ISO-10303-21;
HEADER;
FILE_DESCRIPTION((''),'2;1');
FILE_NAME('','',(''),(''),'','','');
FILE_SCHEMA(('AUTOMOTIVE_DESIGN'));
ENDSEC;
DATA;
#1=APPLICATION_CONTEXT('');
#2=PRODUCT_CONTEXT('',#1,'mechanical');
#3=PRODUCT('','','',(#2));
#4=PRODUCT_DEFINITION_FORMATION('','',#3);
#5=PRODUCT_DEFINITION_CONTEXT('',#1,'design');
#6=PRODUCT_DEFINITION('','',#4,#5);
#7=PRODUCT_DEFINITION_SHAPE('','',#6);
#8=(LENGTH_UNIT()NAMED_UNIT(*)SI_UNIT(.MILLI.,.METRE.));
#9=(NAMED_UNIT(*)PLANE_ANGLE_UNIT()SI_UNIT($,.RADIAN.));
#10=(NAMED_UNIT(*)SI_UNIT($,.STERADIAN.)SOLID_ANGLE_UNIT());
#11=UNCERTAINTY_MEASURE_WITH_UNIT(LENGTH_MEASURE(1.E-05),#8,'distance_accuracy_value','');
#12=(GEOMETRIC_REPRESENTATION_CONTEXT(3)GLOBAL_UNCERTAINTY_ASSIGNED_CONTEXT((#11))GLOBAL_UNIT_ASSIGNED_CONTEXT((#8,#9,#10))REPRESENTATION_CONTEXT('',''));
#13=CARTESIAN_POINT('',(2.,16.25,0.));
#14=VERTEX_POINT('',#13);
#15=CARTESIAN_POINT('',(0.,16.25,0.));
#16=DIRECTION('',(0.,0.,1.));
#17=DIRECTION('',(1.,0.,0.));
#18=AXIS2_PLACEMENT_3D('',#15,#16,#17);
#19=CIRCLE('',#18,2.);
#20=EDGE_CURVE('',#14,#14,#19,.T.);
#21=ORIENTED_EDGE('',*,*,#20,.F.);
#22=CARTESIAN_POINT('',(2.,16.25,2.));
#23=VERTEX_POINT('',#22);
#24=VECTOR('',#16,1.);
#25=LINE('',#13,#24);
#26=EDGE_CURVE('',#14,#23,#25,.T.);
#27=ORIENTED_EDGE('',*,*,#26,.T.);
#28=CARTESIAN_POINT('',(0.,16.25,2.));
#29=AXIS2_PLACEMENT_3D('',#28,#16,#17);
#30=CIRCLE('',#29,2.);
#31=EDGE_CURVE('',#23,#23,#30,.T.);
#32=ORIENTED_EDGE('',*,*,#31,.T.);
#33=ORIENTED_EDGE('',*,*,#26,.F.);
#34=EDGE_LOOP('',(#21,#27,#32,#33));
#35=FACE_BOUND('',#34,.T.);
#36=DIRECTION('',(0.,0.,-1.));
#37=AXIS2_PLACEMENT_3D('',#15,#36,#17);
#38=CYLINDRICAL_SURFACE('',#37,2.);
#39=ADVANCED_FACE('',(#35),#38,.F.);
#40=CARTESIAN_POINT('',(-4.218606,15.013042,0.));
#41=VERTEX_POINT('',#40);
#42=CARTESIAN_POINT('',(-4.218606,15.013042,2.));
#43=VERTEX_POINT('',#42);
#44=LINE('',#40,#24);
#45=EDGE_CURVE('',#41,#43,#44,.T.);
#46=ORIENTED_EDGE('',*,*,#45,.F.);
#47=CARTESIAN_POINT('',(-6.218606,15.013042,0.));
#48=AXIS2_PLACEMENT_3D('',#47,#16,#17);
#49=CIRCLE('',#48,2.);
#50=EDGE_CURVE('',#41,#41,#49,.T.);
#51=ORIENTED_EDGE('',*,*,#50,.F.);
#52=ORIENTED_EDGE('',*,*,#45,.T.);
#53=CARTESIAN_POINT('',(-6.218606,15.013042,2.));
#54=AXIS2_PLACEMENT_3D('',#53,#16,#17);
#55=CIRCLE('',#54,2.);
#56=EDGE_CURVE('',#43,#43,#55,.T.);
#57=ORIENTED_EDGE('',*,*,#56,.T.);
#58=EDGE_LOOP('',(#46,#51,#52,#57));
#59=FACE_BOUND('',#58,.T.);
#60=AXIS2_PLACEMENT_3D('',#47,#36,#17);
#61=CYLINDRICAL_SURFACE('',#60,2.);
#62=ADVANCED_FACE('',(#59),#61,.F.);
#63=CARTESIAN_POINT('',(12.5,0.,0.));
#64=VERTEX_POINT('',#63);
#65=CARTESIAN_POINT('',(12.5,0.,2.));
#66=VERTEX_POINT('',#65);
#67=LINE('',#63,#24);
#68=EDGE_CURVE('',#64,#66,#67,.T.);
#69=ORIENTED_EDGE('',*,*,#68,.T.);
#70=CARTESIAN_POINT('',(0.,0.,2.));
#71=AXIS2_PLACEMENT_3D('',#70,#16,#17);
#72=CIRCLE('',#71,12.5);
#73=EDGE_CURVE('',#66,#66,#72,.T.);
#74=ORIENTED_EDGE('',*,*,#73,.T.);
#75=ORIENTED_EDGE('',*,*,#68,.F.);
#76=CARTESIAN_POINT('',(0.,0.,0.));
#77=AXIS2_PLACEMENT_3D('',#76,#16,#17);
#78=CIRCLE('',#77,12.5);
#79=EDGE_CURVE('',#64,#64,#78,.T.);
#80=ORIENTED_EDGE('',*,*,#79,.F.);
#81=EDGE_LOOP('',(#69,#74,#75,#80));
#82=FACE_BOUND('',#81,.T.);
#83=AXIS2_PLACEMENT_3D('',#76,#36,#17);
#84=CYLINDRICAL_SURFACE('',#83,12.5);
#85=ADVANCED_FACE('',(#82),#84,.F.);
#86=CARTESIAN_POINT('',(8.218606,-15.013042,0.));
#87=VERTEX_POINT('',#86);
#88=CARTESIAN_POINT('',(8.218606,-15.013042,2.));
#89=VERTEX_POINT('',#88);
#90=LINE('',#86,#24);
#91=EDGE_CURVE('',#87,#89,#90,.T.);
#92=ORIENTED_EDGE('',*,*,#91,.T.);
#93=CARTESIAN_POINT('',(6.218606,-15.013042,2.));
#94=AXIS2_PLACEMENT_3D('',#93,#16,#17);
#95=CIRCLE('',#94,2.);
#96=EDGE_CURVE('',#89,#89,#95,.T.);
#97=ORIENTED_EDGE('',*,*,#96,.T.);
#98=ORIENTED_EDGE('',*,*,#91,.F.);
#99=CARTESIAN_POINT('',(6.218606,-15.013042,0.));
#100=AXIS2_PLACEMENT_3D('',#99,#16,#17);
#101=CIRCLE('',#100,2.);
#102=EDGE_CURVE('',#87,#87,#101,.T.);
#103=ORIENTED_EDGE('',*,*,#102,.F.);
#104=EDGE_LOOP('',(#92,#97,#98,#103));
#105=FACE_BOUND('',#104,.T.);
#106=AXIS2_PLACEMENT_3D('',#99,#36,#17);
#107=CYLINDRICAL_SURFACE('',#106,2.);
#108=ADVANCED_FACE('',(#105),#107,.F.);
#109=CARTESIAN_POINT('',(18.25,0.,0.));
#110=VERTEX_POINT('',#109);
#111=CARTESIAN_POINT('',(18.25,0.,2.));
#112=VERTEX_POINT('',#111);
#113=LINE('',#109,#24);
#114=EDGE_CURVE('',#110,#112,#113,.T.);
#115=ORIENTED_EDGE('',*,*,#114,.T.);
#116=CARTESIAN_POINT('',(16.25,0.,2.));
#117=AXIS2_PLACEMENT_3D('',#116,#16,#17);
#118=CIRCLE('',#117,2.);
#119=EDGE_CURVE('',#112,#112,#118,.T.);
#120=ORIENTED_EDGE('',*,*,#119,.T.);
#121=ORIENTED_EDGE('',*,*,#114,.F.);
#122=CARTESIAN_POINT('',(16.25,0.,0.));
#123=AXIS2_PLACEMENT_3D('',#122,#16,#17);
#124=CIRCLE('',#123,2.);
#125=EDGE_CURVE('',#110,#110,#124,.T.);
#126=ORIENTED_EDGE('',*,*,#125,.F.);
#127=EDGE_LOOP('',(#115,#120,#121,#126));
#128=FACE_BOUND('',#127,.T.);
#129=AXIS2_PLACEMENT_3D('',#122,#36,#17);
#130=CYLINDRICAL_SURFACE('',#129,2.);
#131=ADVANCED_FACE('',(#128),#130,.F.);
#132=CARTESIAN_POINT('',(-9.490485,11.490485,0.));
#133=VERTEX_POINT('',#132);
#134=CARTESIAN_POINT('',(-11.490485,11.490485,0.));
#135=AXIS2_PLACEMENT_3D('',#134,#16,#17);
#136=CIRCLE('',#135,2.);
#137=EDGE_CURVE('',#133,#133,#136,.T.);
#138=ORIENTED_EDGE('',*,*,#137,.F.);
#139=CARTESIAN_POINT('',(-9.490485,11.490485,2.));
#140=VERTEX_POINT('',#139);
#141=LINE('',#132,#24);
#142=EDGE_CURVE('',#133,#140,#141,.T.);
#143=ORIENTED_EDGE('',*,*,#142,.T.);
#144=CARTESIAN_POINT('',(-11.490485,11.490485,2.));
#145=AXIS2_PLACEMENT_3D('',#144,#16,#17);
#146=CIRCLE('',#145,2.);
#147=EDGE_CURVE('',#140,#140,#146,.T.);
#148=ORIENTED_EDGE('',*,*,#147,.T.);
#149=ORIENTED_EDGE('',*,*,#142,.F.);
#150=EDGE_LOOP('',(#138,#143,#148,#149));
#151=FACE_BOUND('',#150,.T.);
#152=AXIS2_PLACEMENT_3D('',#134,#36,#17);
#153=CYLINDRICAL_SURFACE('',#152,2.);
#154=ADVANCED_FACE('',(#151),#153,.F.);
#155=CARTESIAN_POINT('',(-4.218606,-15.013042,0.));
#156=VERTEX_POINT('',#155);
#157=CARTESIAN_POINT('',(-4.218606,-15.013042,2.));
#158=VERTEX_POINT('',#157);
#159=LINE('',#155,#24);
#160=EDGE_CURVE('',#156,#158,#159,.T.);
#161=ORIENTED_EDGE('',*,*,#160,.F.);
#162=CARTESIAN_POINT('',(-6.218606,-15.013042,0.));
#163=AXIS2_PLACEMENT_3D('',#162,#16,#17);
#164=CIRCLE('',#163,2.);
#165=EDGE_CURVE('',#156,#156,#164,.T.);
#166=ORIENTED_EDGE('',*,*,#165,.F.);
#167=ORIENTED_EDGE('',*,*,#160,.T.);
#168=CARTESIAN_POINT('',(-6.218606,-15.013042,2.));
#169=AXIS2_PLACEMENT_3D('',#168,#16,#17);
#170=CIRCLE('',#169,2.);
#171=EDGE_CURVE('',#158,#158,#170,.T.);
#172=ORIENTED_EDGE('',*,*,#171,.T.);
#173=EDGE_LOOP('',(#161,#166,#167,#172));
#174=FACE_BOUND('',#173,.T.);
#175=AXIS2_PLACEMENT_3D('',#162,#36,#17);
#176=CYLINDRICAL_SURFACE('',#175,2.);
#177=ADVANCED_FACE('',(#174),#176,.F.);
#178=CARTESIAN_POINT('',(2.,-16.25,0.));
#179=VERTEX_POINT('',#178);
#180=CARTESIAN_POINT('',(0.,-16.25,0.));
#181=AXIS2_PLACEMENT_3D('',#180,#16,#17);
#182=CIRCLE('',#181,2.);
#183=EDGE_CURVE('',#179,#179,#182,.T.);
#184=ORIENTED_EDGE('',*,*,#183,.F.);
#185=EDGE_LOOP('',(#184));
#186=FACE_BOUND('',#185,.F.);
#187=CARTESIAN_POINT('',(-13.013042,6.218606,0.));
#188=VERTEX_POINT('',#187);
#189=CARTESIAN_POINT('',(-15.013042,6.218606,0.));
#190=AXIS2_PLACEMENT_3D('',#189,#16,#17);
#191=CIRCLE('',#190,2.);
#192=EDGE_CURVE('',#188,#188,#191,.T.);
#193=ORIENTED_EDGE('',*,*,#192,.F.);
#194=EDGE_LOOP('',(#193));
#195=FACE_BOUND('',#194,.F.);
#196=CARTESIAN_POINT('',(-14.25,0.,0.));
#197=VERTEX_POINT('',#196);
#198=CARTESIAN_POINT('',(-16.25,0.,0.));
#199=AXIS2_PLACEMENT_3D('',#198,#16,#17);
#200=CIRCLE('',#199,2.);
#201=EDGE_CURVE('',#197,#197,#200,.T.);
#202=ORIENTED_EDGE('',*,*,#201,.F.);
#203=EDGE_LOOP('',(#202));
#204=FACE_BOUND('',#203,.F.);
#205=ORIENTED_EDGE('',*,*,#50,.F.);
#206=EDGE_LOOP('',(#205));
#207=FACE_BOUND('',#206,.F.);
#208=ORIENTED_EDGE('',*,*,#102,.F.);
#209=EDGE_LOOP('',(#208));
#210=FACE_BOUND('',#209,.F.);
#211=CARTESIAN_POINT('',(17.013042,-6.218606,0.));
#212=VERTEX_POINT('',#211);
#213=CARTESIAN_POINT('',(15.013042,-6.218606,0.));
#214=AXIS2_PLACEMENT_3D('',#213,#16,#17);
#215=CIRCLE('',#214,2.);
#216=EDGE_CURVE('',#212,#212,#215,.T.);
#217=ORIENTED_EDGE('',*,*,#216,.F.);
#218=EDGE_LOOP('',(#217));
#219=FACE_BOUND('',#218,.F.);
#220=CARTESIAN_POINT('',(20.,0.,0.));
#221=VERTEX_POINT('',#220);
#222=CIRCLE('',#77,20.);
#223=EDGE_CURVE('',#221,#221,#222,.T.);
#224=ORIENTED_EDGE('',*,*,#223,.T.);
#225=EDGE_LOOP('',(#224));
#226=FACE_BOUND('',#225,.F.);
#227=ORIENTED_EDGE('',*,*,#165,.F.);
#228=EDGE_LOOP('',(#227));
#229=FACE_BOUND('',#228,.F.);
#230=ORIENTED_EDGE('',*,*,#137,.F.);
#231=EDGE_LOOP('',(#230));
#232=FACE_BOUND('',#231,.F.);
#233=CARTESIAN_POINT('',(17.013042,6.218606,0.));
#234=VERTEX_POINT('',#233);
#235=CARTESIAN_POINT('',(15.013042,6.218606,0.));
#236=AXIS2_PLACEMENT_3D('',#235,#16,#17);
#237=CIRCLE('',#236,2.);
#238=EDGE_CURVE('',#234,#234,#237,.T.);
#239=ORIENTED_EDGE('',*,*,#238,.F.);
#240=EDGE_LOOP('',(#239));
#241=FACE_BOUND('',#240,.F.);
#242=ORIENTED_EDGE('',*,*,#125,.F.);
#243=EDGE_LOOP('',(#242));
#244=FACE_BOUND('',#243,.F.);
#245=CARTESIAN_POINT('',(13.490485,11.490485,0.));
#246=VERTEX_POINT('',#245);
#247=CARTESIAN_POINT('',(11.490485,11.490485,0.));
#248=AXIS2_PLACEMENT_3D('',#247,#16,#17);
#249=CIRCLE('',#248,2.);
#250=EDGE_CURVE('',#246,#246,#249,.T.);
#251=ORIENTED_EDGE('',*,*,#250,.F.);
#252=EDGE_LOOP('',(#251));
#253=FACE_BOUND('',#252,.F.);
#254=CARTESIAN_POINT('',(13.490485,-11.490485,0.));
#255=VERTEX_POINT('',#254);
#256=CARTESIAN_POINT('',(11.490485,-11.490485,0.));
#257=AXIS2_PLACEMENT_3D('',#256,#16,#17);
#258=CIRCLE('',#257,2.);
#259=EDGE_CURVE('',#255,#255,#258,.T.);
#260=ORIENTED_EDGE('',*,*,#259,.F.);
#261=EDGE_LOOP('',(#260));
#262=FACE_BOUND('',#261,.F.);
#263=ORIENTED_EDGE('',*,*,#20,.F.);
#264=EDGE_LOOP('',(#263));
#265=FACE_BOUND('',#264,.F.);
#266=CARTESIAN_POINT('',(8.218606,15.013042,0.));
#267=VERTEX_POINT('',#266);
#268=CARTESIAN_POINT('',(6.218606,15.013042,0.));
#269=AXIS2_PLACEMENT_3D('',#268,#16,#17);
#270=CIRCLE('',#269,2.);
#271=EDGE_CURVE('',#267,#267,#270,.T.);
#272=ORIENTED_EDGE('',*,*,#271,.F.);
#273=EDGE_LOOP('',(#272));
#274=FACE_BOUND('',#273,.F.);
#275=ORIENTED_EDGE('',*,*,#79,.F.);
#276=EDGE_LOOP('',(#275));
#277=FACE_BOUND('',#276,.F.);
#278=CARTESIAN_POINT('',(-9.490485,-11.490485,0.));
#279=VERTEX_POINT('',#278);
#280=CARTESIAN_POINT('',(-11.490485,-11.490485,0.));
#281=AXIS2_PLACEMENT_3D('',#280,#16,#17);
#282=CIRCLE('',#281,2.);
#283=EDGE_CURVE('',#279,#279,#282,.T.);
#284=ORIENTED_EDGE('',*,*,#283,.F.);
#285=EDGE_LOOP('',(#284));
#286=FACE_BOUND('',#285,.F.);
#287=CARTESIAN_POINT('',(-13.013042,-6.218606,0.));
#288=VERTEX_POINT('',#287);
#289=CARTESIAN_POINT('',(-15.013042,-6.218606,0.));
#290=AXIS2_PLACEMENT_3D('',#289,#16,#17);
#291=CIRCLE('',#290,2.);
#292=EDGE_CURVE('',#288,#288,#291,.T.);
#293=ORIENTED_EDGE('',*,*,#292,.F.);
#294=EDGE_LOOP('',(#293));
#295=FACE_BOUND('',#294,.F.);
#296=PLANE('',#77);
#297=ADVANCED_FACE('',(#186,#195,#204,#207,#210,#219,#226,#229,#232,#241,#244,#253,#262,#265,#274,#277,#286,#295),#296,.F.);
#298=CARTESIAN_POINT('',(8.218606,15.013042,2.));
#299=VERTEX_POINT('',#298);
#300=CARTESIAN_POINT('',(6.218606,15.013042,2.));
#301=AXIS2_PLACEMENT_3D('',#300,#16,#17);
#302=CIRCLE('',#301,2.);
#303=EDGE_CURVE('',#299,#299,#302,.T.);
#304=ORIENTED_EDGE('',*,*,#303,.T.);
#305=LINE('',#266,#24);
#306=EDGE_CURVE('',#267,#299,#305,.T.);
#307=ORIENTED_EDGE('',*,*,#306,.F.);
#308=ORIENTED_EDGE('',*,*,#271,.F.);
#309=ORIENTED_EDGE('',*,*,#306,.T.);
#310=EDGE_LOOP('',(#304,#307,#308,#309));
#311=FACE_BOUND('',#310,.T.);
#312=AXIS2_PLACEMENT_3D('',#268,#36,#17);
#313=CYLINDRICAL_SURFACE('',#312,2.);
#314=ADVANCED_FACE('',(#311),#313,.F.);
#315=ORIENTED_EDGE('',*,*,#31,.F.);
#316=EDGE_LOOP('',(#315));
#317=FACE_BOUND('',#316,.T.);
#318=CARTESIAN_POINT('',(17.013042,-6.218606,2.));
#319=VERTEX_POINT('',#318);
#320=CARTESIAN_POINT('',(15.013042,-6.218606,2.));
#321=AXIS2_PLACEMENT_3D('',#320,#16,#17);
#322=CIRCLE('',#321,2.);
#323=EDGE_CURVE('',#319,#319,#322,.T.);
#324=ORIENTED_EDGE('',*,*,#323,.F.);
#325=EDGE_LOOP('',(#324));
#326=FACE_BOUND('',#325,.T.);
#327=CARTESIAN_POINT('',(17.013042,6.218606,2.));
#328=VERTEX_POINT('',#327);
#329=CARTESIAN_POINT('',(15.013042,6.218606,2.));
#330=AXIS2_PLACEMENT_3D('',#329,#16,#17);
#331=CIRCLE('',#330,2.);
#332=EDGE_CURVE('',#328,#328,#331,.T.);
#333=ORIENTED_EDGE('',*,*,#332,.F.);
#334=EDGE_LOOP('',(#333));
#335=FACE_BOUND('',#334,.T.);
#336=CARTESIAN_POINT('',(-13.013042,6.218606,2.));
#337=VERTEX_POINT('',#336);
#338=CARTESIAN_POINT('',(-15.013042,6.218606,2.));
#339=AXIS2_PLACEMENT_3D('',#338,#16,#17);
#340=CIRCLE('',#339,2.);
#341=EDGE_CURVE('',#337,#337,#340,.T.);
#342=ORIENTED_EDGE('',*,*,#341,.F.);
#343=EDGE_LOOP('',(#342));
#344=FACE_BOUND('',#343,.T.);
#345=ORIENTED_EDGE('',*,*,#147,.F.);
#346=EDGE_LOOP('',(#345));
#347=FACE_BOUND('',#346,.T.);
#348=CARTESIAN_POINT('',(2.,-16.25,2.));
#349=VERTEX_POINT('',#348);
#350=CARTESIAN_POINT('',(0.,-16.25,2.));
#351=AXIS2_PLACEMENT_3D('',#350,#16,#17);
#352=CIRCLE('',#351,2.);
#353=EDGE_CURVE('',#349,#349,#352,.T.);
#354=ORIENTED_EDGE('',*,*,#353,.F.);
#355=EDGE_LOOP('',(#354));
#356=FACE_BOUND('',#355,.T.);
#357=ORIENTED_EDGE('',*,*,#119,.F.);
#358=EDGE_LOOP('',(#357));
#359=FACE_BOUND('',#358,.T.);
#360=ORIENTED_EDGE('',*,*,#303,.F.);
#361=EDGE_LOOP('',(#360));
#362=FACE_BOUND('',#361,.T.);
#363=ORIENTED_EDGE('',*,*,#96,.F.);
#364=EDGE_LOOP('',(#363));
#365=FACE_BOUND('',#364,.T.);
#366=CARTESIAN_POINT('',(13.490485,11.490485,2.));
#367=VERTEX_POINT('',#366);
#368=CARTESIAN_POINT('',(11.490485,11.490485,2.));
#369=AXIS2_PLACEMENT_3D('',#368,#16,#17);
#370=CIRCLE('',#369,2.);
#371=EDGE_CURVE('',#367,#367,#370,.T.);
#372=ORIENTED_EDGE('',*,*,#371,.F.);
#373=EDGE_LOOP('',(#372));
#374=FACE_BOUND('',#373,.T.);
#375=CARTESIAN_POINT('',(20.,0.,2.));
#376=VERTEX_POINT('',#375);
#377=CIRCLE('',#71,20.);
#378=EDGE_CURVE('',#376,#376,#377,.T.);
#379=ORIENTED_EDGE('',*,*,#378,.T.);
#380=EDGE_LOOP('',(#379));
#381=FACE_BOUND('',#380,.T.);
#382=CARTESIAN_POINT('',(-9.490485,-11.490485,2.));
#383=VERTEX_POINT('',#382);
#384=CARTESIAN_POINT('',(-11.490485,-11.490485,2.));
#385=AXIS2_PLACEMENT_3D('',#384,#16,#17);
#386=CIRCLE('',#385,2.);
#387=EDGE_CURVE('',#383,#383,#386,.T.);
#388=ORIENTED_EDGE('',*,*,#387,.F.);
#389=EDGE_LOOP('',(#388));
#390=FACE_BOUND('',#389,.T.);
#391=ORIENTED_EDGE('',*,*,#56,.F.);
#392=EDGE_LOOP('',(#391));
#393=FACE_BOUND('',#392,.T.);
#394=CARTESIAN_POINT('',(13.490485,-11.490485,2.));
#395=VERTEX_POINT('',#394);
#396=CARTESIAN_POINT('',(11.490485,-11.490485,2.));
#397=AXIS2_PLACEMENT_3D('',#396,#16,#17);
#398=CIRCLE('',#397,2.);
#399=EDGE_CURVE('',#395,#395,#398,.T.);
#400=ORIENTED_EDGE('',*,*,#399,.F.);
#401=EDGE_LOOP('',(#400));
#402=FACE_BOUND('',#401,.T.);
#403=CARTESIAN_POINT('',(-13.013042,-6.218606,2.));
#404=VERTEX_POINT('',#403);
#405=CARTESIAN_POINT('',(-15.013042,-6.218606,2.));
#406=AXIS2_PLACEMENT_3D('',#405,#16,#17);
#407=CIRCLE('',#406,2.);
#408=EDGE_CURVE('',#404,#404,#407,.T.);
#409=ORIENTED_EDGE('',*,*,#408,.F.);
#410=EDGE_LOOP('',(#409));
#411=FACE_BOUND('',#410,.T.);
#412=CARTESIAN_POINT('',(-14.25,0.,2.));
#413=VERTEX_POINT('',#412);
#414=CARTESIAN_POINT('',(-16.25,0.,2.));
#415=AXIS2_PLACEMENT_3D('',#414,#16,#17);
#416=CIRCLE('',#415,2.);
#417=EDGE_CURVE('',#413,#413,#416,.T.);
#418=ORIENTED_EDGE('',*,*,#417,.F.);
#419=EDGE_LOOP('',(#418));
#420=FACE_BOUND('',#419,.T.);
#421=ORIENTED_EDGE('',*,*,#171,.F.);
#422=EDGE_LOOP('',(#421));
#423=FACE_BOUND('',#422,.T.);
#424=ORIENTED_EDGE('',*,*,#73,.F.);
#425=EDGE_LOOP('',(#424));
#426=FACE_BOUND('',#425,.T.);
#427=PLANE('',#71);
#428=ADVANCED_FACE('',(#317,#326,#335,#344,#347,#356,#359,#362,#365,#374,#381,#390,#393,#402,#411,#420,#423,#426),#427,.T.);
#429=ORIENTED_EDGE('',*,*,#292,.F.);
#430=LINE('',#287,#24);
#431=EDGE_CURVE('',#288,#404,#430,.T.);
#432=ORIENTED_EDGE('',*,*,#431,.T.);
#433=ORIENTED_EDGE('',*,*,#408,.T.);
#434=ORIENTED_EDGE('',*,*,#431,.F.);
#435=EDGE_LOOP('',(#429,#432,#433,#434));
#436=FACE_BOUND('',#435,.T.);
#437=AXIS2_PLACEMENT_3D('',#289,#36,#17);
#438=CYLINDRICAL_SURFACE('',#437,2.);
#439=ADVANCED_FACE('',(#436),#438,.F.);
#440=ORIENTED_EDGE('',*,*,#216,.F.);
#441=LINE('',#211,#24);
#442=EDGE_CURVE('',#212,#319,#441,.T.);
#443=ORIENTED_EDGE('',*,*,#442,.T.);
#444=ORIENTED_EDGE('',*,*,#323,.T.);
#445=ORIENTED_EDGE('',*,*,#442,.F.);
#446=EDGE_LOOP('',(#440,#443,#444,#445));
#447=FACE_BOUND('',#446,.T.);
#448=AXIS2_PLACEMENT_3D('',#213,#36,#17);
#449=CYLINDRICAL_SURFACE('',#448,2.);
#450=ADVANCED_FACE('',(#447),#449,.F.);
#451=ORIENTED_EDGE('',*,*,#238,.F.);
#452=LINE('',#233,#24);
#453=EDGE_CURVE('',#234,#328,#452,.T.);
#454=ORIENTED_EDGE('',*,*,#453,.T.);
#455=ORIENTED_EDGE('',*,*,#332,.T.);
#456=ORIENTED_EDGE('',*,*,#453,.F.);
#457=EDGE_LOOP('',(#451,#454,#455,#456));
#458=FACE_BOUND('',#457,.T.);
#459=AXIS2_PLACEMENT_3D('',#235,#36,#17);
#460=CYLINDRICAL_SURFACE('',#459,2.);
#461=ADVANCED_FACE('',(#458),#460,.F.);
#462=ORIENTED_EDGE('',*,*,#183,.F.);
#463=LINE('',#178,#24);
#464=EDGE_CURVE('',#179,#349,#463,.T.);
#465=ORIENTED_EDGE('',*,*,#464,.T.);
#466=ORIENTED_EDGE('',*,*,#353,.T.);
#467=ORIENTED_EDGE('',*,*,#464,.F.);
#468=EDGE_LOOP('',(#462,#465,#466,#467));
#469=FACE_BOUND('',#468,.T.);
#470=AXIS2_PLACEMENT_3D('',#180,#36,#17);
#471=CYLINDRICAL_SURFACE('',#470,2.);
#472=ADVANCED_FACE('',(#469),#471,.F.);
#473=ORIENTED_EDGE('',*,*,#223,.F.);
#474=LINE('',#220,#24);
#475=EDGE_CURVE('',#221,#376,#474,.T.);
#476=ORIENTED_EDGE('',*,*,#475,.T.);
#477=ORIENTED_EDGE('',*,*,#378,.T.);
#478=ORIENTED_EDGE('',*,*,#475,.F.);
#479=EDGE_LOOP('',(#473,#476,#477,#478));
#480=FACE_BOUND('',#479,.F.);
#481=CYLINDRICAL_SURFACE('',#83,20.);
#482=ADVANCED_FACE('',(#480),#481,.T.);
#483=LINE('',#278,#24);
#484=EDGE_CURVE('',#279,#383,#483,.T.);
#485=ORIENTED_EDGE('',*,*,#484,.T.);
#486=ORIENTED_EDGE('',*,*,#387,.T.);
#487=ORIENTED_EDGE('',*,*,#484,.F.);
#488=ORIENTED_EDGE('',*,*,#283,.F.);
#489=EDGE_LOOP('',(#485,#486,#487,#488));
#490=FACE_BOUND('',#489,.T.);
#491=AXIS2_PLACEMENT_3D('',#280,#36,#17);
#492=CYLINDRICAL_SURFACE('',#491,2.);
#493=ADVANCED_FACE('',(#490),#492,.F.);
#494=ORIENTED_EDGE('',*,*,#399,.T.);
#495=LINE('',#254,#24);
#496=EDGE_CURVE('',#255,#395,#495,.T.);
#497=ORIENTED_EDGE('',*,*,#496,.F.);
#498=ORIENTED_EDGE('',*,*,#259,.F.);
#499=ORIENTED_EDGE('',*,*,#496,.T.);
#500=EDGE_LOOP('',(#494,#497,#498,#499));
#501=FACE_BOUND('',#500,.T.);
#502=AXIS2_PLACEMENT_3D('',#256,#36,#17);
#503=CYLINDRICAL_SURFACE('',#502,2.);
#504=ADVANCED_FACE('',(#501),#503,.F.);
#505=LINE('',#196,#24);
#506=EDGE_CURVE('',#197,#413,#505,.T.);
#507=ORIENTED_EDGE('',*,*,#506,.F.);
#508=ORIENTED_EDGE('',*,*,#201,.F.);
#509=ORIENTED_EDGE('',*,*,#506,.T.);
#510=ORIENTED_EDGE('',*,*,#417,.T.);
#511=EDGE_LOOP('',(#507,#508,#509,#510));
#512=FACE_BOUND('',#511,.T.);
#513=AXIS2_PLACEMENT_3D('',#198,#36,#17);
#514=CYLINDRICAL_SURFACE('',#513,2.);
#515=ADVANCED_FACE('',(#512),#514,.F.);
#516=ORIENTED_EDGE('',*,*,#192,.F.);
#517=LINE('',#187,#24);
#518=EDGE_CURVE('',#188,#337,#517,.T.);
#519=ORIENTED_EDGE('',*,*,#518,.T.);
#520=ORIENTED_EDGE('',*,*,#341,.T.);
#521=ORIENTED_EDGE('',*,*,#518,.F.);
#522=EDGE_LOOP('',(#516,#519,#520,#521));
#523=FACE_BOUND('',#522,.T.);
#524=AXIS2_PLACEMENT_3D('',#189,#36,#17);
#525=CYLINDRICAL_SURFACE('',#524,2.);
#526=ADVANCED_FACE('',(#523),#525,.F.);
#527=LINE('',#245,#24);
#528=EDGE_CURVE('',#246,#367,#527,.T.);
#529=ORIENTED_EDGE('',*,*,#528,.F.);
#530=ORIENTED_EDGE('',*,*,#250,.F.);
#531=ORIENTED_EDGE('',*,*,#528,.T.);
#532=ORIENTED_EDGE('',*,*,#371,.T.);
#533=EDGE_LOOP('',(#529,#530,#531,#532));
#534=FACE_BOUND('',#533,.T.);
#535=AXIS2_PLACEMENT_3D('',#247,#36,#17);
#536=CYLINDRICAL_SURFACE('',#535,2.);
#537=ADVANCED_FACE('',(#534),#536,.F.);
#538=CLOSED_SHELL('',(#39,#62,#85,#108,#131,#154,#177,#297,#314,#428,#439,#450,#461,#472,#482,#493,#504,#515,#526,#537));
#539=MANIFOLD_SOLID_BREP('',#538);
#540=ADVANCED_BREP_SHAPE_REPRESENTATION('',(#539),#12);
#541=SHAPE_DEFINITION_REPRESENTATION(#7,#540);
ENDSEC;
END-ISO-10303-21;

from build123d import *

# Parameters (mm, degrees)
F0_R     = 20
F0_R_2   = 2
F0_R_3   = 12.5
F1_DEPTH = 2


with BuildPart() as f1:
    # F0 (on Top) → F1 (new body)
    with BuildSketch(Plane.XY):
        Circle(F0_R)
        with Locations((-11.490485, -11.490485)):
            Circle(F0_R_2, mode=Mode.SUBTRACT)
        with Locations((-6.218606, -15.013042)):
            Circle(F0_R_2, mode=Mode.SUBTRACT)
        with Locations((-15.013042, -6.218606)):
            Circle(F0_R_2, mode=Mode.SUBTRACT)
        with Locations((0, -16.25)):
            Circle(F0_R_2, mode=Mode.SUBTRACT)
        with Locations((6.218606, -15.013042)):
            Circle(F0_R_2, mode=Mode.SUBTRACT)
        with Locations((11.490485, -11.490485)):
            Circle(F0_R_2, mode=Mode.SUBTRACT)
        with Locations((15.013042, -6.218606)):
            Circle(F0_R_2, mode=Mode.SUBTRACT)
        with Locations((-16.25, 0)):
            Circle(F0_R_2, mode=Mode.SUBTRACT)
        with Locations((-15.013042, 6.218606)):
            Circle(F0_R_2, mode=Mode.SUBTRACT)
        with Locations((-11.490485, 11.490485)):
            Circle(F0_R_2, mode=Mode.SUBTRACT)
        with Locations((-6.218606, 15.013042)):
            Circle(F0_R_2, mode=Mode.SUBTRACT)
        Circle(F0_R_3, mode=Mode.SUBTRACT)
        with Locations((16.25, 0)):
            Circle(F0_R_2, mode=Mode.SUBTRACT)
        with Locations((15.013042, 6.218606)):
            Circle(F0_R_2, mode=Mode.SUBTRACT)
        with Locations((0, 16.25)):
            Circle(F0_R_2, mode=Mode.SUBTRACT)
        with Locations((6.218606, 15.013042)):
            Circle(F0_R_2, mode=Mode.SUBTRACT)
        with Locations((11.490485, 11.490485)):
            Circle(F0_R_2, mode=Mode.SUBTRACT)
    extrude(amount=F1_DEPTH)


solid = f1.part
